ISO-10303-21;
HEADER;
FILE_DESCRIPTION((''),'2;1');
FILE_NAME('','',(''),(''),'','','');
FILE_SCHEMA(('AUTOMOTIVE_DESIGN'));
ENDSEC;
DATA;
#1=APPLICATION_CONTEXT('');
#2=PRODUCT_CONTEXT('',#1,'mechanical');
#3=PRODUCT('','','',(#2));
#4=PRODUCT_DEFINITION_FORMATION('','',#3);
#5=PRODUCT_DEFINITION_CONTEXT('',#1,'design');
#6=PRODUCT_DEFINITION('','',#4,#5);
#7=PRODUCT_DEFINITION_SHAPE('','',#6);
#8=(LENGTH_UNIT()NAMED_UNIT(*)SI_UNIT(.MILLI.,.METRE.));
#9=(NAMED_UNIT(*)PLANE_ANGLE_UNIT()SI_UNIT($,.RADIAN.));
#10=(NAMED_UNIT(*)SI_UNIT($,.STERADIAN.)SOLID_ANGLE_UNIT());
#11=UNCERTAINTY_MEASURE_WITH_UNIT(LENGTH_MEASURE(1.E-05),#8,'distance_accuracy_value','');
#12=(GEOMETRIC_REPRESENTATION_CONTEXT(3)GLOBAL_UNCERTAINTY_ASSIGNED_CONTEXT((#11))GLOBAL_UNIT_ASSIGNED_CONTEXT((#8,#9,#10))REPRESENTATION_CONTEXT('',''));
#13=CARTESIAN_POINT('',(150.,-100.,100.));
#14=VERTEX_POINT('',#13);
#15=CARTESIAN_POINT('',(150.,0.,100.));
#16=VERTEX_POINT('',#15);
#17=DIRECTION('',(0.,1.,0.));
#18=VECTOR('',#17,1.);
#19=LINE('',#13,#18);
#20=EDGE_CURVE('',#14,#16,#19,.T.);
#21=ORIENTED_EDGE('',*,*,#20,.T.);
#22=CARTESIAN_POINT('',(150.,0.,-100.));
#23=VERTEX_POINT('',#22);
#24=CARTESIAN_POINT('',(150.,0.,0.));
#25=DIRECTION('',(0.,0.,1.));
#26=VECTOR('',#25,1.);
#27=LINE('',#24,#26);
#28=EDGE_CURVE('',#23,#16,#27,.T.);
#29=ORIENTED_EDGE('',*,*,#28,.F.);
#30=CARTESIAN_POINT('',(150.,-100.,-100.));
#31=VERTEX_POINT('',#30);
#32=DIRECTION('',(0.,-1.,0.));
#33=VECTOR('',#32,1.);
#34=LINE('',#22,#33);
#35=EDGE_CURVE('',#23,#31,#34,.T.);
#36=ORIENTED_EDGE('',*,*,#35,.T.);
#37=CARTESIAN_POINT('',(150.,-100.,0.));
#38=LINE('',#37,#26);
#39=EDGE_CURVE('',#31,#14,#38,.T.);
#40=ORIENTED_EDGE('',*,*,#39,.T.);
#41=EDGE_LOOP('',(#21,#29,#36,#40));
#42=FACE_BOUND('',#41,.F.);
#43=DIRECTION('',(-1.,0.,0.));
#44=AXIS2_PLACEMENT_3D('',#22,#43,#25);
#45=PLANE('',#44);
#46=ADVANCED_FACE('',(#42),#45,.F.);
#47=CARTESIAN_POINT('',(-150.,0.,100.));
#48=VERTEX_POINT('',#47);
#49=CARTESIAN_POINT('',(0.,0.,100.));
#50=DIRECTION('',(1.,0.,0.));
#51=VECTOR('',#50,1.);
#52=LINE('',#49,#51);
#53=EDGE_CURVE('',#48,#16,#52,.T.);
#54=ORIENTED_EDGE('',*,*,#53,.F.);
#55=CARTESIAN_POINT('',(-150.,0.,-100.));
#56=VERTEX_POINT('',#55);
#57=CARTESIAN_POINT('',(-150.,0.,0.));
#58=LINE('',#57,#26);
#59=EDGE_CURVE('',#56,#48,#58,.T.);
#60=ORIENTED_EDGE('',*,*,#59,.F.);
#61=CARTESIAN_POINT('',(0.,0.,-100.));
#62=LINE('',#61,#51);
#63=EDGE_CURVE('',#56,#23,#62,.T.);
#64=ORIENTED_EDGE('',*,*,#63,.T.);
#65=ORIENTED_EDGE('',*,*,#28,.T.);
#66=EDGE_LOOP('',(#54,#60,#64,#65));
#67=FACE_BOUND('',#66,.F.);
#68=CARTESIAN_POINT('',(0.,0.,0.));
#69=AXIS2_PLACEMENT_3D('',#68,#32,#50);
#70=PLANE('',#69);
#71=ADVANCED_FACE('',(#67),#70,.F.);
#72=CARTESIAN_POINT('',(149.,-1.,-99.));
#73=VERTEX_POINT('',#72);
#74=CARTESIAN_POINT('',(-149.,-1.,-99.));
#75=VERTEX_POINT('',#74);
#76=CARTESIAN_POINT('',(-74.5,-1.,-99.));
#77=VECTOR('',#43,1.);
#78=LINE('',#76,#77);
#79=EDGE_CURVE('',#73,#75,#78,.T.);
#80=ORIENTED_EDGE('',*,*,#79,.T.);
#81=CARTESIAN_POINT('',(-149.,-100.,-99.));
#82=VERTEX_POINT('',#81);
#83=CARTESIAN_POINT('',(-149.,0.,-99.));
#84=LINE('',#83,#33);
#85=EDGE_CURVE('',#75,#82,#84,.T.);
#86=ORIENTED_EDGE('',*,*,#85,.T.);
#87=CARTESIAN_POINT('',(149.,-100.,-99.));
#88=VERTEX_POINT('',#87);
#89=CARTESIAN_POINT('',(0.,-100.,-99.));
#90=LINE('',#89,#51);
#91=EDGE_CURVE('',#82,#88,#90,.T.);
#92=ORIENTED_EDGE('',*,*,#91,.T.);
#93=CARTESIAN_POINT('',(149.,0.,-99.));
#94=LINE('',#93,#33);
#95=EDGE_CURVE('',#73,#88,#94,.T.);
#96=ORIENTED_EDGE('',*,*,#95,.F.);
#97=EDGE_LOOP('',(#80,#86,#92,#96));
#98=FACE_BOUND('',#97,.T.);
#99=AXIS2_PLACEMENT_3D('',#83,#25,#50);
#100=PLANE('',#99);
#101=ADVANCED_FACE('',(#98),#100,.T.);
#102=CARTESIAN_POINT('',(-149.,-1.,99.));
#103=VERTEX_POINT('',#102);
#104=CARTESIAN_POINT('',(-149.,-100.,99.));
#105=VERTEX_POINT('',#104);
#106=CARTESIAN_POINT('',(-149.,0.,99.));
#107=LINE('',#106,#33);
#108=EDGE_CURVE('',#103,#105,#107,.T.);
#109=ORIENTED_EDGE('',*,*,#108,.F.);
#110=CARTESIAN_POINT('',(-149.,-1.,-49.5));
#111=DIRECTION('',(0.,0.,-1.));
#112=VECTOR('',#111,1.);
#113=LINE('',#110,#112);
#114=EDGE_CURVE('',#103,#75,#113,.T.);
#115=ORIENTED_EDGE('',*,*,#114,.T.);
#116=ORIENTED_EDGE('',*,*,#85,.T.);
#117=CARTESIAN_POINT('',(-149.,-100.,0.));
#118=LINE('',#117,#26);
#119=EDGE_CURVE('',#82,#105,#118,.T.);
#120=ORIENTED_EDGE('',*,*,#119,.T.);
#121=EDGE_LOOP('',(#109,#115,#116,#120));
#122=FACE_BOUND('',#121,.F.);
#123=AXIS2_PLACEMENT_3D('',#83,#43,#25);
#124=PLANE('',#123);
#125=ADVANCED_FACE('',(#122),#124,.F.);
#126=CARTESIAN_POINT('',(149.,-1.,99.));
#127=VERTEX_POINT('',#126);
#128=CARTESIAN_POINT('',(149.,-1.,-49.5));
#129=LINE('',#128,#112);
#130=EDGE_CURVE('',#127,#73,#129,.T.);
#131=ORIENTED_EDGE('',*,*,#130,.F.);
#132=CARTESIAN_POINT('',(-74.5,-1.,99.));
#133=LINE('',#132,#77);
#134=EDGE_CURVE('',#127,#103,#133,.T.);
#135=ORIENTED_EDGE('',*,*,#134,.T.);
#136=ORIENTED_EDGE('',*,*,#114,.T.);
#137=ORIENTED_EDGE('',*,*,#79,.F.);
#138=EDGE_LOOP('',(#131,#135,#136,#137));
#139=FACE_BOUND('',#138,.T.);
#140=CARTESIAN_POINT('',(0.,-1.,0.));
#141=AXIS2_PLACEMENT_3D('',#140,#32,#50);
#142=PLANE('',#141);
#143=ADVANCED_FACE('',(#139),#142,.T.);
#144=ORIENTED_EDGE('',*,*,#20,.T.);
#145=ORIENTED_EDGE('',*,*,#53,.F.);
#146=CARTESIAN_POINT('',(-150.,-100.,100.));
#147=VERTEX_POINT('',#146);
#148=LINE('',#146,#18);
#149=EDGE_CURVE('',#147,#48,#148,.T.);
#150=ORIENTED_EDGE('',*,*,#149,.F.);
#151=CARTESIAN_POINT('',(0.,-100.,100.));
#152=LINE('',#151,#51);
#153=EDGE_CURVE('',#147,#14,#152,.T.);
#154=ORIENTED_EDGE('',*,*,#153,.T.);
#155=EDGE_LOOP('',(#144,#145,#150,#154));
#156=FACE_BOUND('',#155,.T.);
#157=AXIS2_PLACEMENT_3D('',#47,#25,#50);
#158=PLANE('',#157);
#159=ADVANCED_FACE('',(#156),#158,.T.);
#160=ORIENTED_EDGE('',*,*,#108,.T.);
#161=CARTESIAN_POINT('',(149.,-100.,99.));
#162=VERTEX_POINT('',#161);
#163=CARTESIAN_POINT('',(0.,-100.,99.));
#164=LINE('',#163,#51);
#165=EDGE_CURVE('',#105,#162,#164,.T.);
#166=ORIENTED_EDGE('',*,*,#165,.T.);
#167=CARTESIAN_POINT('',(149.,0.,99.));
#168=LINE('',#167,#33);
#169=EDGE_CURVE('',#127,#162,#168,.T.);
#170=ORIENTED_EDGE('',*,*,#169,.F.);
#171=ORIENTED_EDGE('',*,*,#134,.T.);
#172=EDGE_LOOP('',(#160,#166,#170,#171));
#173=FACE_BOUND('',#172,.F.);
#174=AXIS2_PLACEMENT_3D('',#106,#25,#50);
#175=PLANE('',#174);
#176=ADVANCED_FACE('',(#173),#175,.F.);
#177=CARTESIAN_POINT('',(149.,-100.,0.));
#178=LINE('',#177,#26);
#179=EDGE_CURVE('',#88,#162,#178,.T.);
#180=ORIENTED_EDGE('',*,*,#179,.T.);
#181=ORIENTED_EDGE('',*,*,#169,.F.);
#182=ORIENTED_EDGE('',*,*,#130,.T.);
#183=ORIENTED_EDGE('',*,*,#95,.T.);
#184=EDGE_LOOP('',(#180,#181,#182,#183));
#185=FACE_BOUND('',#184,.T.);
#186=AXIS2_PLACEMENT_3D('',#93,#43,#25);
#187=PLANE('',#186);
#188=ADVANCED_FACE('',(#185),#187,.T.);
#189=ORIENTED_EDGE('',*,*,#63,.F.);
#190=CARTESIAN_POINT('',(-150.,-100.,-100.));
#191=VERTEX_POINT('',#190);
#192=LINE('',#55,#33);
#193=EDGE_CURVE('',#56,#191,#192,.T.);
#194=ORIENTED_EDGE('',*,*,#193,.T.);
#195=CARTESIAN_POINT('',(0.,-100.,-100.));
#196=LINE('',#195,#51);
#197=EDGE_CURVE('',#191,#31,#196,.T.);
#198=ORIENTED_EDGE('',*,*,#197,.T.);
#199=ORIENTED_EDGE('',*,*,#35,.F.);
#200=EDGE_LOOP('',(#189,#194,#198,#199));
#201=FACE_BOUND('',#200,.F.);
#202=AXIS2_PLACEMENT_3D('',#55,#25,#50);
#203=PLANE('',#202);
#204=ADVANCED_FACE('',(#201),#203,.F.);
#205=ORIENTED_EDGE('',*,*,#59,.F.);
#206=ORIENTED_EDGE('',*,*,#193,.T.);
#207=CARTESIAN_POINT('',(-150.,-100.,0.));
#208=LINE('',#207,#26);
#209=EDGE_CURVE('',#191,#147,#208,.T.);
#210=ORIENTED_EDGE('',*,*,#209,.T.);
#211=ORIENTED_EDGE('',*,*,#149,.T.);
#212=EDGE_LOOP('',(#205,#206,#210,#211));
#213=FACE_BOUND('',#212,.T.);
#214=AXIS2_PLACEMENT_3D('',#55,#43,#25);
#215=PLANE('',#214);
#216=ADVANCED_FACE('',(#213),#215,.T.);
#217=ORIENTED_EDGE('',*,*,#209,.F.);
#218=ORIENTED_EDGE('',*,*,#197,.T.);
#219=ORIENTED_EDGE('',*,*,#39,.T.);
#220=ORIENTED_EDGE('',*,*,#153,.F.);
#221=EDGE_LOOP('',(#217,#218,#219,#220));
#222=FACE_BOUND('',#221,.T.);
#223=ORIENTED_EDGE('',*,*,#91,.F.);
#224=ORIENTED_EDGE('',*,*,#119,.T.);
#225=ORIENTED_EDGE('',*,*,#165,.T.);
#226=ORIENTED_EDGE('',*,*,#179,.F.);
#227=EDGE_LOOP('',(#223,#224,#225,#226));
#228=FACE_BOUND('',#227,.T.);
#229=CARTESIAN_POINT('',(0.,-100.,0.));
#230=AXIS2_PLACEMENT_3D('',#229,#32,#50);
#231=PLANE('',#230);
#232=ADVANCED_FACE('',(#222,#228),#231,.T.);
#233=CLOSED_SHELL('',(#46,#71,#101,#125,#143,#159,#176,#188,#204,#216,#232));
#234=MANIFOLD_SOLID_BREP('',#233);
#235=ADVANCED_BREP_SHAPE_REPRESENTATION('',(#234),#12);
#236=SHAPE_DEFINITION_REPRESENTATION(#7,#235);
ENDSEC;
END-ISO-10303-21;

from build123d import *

# Parameters (mm, degrees)
F0_W     = 300
F0_H     = 200
F0_W_2   = 298
F0_H_2   = 198
F1_DEPTH = 1
F2_DEPTH = 100


with BuildPart() as f1:
    # F0 (on Front) → F1 (new body)
    with BuildSketch(Plane.XZ):
        Rectangle(F0_W, F0_H)
        Rectangle(F0_W_2, F0_H_2, mode=Mode.SUBTRACT)
        Rectangle(F0_W_2, F0_H_2)
    extrude(amount=F1_DEPTH)

    # F0 (on Front) → F2 (join)
    with BuildSketch(Plane.XZ):
        Rectangle(F0_W, F0_H)
        Rectangle(F0_W_2, F0_H_2, mode=Mode.SUBTRACT)
    extrude(amount=F2_DEPTH)


solid = f1.part
